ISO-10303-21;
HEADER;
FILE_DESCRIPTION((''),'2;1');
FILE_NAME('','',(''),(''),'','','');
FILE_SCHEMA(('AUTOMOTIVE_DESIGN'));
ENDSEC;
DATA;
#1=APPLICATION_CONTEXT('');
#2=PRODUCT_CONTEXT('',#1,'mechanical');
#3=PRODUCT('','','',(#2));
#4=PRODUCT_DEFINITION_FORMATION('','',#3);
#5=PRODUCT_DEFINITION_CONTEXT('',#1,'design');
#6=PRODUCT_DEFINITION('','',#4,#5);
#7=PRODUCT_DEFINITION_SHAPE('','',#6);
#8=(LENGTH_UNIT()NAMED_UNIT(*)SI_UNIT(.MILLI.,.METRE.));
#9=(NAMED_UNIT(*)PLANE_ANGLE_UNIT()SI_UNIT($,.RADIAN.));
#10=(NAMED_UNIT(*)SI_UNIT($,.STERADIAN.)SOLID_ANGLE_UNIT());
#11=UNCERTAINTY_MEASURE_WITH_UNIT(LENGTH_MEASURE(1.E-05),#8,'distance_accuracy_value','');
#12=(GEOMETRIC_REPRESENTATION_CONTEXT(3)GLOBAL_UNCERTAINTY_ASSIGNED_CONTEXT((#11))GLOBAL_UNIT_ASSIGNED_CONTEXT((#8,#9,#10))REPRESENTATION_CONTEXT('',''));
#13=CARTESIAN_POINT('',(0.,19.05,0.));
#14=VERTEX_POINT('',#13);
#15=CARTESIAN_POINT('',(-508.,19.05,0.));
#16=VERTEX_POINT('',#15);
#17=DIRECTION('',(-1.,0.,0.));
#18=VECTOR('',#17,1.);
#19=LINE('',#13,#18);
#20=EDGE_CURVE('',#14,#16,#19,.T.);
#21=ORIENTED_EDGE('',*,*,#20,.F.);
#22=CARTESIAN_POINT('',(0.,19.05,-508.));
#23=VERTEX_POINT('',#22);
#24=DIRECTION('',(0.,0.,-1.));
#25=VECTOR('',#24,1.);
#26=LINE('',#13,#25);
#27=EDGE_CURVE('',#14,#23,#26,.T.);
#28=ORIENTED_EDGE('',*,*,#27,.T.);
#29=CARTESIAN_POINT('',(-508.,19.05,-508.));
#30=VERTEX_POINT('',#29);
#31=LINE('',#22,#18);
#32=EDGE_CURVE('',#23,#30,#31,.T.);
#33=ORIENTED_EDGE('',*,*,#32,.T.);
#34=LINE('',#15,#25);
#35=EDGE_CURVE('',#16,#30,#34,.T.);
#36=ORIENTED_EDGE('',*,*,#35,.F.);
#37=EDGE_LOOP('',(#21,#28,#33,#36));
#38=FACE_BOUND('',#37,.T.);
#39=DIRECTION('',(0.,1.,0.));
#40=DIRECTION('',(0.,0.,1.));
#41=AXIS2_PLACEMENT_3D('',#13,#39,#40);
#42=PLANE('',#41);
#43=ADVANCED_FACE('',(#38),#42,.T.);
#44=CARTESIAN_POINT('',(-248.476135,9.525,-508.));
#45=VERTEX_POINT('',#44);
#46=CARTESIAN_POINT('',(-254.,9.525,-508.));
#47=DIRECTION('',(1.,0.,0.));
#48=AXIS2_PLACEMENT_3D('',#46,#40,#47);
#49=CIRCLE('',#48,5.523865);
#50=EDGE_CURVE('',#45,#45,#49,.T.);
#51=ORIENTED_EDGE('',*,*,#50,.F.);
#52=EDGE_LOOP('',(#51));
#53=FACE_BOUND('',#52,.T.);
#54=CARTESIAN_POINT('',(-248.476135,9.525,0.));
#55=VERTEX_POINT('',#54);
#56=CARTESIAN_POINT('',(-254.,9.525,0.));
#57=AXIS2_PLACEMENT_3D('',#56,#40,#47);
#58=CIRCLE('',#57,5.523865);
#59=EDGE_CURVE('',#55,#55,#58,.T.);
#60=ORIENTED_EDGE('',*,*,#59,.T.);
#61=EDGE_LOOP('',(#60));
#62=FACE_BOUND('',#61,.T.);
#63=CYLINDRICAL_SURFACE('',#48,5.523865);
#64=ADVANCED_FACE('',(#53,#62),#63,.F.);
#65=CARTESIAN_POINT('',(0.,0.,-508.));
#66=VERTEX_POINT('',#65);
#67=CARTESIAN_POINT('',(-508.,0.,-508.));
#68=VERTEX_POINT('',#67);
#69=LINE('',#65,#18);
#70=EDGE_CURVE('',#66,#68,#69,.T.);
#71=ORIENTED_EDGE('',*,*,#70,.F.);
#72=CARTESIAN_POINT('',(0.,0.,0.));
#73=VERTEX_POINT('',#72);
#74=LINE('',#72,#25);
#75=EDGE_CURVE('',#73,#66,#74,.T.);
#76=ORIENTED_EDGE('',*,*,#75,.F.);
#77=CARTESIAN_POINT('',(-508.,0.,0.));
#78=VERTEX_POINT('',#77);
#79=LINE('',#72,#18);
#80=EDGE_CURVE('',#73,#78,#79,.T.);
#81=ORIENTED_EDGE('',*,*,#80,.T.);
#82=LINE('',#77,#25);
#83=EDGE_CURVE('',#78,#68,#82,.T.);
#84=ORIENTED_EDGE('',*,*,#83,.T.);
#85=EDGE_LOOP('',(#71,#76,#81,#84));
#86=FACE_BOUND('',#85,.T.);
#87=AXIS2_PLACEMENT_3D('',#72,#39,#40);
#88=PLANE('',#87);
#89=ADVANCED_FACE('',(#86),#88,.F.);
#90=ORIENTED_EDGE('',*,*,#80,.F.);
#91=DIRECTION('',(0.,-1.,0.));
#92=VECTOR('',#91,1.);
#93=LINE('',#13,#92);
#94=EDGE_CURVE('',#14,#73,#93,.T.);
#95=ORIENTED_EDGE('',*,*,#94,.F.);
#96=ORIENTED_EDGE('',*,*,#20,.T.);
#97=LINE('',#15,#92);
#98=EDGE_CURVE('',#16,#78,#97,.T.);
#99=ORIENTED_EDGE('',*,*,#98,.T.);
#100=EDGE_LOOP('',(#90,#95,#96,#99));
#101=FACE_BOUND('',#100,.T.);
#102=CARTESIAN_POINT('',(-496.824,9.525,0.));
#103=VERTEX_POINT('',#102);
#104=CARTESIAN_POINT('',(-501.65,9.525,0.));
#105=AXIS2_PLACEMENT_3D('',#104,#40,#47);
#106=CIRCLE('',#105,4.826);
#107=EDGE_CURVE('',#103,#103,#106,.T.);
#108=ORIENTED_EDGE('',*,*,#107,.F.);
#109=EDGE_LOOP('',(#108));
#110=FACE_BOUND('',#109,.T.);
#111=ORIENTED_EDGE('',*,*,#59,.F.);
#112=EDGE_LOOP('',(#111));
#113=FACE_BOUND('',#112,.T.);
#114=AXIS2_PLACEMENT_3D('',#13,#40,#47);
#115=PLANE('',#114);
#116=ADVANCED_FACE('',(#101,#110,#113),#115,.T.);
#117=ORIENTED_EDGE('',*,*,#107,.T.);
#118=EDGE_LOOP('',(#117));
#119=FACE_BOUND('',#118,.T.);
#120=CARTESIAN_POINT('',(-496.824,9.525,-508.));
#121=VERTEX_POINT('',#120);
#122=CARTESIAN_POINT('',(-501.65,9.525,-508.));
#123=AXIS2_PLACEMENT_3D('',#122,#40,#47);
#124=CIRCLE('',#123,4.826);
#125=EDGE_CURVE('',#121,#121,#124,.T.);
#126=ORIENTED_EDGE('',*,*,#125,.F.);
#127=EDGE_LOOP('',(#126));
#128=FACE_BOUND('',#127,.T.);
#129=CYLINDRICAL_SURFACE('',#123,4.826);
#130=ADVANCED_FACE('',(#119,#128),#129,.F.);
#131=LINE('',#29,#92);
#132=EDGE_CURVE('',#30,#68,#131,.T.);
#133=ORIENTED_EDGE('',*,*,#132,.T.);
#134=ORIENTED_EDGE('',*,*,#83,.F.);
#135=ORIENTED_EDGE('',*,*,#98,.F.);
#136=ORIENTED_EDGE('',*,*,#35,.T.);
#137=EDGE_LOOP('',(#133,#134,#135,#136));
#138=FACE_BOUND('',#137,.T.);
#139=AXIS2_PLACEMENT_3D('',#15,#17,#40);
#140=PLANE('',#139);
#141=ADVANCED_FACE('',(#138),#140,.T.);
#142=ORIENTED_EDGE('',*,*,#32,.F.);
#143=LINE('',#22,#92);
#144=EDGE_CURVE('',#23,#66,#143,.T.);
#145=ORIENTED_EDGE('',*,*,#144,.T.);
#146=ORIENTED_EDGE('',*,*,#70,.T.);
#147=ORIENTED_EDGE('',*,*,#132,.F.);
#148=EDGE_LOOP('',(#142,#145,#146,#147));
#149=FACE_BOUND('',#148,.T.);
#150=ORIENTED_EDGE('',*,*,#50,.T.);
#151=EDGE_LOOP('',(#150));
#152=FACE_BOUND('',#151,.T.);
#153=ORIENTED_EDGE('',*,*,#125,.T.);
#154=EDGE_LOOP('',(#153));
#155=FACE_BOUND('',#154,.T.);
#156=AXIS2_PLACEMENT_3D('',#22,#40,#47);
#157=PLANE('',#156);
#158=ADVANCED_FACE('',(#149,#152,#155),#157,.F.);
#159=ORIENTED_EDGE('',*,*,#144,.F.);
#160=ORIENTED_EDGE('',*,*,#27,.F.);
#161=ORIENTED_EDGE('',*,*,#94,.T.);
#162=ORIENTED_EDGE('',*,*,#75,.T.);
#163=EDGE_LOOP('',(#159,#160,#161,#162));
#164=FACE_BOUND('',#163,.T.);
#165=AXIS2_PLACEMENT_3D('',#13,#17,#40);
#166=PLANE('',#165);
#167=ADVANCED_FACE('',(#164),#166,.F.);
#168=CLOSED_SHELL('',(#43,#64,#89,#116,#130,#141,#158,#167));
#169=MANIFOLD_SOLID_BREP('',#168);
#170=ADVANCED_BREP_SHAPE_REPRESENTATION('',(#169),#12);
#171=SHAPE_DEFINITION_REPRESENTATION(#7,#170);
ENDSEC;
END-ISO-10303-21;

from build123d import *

# Parameters (mm, degrees)
SKETCH2_W           = 508
SKETCH2_H           = 508
BOSS_EXTRUDE1_DEPTH = 19.05
SKETCH3_R           = 5.523864606
SKETCH3_R_2         = 4.826
CUT_EXTRUDE1_DEPTH  = 719.673015008


with BuildPart() as part:
    # Sketch2 → Boss-Extrude1 (new body)
    with BuildSketch(Plane(origin=(0, 0, 0), x_dir=(1, 0, 0), z_dir=(0, 1, 0))):
        with Locations((-254, 254)):
            Rectangle(SKETCH2_W, SKETCH2_H)
    extrude(amount=BOSS_EXTRUDE1_DEPTH)

    # Sketch3 → Cut-Extrude1 (cut, through all)
    with BuildSketch(Plane.XY):
        with Locations((-254, 9.525)):
            Circle(SKETCH3_R)
        with Locations((-501.65, 9.525)):
            Circle(SKETCH3_R_2)
    extrude(amount=-CUT_EXTRUDE1_DEPTH, mode=Mode.SUBTRACT)


solid = part.part
